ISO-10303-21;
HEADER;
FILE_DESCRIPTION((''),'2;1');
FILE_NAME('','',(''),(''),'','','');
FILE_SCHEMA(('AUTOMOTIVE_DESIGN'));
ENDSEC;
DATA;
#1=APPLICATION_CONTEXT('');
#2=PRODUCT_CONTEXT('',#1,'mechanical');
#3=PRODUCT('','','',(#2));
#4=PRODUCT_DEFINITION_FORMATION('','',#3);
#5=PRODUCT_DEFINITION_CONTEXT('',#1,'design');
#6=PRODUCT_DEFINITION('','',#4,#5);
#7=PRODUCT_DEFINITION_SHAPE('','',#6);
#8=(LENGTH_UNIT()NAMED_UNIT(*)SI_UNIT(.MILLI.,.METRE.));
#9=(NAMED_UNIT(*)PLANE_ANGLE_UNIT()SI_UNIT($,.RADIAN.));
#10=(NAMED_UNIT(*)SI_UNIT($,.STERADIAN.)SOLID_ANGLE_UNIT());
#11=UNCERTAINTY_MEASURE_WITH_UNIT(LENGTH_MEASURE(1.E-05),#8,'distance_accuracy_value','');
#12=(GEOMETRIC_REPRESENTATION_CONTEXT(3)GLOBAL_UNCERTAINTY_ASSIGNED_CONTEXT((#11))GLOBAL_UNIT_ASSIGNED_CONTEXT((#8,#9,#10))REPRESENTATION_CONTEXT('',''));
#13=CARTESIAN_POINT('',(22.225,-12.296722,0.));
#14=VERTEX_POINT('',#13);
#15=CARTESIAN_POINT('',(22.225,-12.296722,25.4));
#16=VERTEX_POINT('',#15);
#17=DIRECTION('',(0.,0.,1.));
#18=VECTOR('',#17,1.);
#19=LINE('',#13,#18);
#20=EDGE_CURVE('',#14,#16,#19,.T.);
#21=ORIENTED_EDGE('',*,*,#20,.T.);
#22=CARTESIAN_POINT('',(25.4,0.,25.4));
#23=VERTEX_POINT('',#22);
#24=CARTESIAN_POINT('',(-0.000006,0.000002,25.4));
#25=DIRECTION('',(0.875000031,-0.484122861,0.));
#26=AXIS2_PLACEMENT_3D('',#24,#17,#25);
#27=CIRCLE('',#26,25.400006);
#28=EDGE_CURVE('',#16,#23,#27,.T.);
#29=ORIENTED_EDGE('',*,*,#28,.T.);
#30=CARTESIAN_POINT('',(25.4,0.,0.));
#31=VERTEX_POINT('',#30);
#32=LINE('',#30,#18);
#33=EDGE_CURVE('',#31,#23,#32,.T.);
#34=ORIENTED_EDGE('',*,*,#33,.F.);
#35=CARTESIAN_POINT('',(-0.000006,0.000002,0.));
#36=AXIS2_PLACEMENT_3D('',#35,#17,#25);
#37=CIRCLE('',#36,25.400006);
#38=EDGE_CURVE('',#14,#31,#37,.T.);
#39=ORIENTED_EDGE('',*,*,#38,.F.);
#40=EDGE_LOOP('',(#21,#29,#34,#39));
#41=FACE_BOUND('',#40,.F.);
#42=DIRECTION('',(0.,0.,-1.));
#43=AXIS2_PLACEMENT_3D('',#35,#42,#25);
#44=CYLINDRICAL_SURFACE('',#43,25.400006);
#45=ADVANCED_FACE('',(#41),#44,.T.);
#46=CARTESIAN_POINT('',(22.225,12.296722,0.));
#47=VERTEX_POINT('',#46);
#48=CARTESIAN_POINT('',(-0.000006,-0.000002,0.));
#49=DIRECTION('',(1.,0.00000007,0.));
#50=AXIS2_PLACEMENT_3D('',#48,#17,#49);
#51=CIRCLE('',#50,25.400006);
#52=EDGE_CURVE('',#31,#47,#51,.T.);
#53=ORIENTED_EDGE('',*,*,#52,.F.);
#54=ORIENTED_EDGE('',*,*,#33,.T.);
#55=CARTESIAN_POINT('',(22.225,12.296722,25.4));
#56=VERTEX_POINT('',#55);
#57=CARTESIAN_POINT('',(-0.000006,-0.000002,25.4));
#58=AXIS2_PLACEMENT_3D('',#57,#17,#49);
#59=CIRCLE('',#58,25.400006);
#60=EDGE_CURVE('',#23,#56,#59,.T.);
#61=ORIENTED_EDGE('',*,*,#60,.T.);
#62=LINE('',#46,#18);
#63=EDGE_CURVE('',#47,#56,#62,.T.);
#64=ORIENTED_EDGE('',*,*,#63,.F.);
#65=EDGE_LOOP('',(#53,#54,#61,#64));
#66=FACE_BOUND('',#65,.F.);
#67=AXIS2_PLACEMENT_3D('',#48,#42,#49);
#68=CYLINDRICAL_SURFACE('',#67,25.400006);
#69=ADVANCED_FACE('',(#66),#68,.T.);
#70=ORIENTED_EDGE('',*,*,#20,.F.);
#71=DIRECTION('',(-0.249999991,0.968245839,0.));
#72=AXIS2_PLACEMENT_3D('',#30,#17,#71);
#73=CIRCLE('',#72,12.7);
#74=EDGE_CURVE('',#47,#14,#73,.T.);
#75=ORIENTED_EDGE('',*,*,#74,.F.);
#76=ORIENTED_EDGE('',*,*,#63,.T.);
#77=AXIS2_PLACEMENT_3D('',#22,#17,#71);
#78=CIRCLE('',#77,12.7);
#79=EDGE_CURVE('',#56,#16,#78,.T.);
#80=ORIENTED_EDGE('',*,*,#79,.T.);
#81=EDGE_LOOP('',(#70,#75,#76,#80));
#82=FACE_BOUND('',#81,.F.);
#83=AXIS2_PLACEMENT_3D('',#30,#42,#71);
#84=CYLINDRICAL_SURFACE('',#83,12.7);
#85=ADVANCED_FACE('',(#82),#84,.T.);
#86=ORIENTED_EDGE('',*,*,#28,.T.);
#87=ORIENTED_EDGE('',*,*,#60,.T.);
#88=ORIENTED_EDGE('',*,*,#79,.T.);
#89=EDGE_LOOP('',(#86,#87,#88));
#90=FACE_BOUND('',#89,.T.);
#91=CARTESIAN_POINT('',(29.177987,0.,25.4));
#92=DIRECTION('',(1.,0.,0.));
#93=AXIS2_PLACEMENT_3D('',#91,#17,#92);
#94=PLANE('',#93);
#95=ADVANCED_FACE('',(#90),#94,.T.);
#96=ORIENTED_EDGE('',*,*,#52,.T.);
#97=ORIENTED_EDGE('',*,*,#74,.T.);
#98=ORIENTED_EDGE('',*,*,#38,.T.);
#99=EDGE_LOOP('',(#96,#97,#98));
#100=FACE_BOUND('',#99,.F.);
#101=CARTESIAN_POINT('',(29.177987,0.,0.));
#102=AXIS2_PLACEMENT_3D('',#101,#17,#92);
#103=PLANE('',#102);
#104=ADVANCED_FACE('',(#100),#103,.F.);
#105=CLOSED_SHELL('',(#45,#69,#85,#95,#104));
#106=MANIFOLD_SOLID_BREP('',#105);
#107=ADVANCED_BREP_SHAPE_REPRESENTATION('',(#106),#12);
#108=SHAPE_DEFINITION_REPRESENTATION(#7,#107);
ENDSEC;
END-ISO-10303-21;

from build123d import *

# Parameters (mm, degrees)
F1_DEPTH = 25.4
F2_DEPTH = 25.4


with BuildPart() as f1:
    # F0 (on Top) → F1 (new body)
    with BuildSketch(Plane.XY):
        with BuildLine():
            ThreePointArc((22.225, -12.296722), (12.7, 0), (22.225, 12.296722))
            ThreePointArc((22.225, 12.296722), (-25.4, 0), (22.225, -12.296722))
        make_face()
        with BuildLine():
            ThreePointArc((22.225, -12.296722), (24.593444, -6.35), (25.4, 0))
            ThreePointArc((25.4, 0), (24.593444, 6.35), (22.225, 12.296722))
            ThreePointArc((22.225, 12.296722), (12.7, 0), (22.225, -12.296722))
        make_face()
    extrude(amount=F1_DEPTH)


with BuildPart() as f2:
    # F0 (on Top) → F2 (new body)
    with BuildSketch(Plane.XY):
        with BuildLine():
            ThreePointArc((22.225, 12.296722), (24.593444, 6.35), (25.4, 0))
            ThreePointArc((25.4, 0), (24.593444, -6.35), (22.225, -12.296722))
            ThreePointArc((22.225, -12.296722), (33.17713, -10.040232), (38.1, 0))
            ThreePointArc((38.1, 0), (33.17713, 10.040232), (22.225, 12.296722))
        make_face()
        with BuildLine():
            ThreePointArc((22.225, -12.296722), (24.593444, -6.35), (25.4, 0))
            ThreePointArc((25.4, 0), (24.593444, 6.35), (22.225, 12.296722))
            ThreePointArc((22.225, 12.296722), (12.7, 0), (22.225, -12.296722))
        make_face()
    extrude(amount=F2_DEPTH)

    # F3: intersect F1
    add(f1.part, mode=Mode.INTERSECT)


solid = f2.part
